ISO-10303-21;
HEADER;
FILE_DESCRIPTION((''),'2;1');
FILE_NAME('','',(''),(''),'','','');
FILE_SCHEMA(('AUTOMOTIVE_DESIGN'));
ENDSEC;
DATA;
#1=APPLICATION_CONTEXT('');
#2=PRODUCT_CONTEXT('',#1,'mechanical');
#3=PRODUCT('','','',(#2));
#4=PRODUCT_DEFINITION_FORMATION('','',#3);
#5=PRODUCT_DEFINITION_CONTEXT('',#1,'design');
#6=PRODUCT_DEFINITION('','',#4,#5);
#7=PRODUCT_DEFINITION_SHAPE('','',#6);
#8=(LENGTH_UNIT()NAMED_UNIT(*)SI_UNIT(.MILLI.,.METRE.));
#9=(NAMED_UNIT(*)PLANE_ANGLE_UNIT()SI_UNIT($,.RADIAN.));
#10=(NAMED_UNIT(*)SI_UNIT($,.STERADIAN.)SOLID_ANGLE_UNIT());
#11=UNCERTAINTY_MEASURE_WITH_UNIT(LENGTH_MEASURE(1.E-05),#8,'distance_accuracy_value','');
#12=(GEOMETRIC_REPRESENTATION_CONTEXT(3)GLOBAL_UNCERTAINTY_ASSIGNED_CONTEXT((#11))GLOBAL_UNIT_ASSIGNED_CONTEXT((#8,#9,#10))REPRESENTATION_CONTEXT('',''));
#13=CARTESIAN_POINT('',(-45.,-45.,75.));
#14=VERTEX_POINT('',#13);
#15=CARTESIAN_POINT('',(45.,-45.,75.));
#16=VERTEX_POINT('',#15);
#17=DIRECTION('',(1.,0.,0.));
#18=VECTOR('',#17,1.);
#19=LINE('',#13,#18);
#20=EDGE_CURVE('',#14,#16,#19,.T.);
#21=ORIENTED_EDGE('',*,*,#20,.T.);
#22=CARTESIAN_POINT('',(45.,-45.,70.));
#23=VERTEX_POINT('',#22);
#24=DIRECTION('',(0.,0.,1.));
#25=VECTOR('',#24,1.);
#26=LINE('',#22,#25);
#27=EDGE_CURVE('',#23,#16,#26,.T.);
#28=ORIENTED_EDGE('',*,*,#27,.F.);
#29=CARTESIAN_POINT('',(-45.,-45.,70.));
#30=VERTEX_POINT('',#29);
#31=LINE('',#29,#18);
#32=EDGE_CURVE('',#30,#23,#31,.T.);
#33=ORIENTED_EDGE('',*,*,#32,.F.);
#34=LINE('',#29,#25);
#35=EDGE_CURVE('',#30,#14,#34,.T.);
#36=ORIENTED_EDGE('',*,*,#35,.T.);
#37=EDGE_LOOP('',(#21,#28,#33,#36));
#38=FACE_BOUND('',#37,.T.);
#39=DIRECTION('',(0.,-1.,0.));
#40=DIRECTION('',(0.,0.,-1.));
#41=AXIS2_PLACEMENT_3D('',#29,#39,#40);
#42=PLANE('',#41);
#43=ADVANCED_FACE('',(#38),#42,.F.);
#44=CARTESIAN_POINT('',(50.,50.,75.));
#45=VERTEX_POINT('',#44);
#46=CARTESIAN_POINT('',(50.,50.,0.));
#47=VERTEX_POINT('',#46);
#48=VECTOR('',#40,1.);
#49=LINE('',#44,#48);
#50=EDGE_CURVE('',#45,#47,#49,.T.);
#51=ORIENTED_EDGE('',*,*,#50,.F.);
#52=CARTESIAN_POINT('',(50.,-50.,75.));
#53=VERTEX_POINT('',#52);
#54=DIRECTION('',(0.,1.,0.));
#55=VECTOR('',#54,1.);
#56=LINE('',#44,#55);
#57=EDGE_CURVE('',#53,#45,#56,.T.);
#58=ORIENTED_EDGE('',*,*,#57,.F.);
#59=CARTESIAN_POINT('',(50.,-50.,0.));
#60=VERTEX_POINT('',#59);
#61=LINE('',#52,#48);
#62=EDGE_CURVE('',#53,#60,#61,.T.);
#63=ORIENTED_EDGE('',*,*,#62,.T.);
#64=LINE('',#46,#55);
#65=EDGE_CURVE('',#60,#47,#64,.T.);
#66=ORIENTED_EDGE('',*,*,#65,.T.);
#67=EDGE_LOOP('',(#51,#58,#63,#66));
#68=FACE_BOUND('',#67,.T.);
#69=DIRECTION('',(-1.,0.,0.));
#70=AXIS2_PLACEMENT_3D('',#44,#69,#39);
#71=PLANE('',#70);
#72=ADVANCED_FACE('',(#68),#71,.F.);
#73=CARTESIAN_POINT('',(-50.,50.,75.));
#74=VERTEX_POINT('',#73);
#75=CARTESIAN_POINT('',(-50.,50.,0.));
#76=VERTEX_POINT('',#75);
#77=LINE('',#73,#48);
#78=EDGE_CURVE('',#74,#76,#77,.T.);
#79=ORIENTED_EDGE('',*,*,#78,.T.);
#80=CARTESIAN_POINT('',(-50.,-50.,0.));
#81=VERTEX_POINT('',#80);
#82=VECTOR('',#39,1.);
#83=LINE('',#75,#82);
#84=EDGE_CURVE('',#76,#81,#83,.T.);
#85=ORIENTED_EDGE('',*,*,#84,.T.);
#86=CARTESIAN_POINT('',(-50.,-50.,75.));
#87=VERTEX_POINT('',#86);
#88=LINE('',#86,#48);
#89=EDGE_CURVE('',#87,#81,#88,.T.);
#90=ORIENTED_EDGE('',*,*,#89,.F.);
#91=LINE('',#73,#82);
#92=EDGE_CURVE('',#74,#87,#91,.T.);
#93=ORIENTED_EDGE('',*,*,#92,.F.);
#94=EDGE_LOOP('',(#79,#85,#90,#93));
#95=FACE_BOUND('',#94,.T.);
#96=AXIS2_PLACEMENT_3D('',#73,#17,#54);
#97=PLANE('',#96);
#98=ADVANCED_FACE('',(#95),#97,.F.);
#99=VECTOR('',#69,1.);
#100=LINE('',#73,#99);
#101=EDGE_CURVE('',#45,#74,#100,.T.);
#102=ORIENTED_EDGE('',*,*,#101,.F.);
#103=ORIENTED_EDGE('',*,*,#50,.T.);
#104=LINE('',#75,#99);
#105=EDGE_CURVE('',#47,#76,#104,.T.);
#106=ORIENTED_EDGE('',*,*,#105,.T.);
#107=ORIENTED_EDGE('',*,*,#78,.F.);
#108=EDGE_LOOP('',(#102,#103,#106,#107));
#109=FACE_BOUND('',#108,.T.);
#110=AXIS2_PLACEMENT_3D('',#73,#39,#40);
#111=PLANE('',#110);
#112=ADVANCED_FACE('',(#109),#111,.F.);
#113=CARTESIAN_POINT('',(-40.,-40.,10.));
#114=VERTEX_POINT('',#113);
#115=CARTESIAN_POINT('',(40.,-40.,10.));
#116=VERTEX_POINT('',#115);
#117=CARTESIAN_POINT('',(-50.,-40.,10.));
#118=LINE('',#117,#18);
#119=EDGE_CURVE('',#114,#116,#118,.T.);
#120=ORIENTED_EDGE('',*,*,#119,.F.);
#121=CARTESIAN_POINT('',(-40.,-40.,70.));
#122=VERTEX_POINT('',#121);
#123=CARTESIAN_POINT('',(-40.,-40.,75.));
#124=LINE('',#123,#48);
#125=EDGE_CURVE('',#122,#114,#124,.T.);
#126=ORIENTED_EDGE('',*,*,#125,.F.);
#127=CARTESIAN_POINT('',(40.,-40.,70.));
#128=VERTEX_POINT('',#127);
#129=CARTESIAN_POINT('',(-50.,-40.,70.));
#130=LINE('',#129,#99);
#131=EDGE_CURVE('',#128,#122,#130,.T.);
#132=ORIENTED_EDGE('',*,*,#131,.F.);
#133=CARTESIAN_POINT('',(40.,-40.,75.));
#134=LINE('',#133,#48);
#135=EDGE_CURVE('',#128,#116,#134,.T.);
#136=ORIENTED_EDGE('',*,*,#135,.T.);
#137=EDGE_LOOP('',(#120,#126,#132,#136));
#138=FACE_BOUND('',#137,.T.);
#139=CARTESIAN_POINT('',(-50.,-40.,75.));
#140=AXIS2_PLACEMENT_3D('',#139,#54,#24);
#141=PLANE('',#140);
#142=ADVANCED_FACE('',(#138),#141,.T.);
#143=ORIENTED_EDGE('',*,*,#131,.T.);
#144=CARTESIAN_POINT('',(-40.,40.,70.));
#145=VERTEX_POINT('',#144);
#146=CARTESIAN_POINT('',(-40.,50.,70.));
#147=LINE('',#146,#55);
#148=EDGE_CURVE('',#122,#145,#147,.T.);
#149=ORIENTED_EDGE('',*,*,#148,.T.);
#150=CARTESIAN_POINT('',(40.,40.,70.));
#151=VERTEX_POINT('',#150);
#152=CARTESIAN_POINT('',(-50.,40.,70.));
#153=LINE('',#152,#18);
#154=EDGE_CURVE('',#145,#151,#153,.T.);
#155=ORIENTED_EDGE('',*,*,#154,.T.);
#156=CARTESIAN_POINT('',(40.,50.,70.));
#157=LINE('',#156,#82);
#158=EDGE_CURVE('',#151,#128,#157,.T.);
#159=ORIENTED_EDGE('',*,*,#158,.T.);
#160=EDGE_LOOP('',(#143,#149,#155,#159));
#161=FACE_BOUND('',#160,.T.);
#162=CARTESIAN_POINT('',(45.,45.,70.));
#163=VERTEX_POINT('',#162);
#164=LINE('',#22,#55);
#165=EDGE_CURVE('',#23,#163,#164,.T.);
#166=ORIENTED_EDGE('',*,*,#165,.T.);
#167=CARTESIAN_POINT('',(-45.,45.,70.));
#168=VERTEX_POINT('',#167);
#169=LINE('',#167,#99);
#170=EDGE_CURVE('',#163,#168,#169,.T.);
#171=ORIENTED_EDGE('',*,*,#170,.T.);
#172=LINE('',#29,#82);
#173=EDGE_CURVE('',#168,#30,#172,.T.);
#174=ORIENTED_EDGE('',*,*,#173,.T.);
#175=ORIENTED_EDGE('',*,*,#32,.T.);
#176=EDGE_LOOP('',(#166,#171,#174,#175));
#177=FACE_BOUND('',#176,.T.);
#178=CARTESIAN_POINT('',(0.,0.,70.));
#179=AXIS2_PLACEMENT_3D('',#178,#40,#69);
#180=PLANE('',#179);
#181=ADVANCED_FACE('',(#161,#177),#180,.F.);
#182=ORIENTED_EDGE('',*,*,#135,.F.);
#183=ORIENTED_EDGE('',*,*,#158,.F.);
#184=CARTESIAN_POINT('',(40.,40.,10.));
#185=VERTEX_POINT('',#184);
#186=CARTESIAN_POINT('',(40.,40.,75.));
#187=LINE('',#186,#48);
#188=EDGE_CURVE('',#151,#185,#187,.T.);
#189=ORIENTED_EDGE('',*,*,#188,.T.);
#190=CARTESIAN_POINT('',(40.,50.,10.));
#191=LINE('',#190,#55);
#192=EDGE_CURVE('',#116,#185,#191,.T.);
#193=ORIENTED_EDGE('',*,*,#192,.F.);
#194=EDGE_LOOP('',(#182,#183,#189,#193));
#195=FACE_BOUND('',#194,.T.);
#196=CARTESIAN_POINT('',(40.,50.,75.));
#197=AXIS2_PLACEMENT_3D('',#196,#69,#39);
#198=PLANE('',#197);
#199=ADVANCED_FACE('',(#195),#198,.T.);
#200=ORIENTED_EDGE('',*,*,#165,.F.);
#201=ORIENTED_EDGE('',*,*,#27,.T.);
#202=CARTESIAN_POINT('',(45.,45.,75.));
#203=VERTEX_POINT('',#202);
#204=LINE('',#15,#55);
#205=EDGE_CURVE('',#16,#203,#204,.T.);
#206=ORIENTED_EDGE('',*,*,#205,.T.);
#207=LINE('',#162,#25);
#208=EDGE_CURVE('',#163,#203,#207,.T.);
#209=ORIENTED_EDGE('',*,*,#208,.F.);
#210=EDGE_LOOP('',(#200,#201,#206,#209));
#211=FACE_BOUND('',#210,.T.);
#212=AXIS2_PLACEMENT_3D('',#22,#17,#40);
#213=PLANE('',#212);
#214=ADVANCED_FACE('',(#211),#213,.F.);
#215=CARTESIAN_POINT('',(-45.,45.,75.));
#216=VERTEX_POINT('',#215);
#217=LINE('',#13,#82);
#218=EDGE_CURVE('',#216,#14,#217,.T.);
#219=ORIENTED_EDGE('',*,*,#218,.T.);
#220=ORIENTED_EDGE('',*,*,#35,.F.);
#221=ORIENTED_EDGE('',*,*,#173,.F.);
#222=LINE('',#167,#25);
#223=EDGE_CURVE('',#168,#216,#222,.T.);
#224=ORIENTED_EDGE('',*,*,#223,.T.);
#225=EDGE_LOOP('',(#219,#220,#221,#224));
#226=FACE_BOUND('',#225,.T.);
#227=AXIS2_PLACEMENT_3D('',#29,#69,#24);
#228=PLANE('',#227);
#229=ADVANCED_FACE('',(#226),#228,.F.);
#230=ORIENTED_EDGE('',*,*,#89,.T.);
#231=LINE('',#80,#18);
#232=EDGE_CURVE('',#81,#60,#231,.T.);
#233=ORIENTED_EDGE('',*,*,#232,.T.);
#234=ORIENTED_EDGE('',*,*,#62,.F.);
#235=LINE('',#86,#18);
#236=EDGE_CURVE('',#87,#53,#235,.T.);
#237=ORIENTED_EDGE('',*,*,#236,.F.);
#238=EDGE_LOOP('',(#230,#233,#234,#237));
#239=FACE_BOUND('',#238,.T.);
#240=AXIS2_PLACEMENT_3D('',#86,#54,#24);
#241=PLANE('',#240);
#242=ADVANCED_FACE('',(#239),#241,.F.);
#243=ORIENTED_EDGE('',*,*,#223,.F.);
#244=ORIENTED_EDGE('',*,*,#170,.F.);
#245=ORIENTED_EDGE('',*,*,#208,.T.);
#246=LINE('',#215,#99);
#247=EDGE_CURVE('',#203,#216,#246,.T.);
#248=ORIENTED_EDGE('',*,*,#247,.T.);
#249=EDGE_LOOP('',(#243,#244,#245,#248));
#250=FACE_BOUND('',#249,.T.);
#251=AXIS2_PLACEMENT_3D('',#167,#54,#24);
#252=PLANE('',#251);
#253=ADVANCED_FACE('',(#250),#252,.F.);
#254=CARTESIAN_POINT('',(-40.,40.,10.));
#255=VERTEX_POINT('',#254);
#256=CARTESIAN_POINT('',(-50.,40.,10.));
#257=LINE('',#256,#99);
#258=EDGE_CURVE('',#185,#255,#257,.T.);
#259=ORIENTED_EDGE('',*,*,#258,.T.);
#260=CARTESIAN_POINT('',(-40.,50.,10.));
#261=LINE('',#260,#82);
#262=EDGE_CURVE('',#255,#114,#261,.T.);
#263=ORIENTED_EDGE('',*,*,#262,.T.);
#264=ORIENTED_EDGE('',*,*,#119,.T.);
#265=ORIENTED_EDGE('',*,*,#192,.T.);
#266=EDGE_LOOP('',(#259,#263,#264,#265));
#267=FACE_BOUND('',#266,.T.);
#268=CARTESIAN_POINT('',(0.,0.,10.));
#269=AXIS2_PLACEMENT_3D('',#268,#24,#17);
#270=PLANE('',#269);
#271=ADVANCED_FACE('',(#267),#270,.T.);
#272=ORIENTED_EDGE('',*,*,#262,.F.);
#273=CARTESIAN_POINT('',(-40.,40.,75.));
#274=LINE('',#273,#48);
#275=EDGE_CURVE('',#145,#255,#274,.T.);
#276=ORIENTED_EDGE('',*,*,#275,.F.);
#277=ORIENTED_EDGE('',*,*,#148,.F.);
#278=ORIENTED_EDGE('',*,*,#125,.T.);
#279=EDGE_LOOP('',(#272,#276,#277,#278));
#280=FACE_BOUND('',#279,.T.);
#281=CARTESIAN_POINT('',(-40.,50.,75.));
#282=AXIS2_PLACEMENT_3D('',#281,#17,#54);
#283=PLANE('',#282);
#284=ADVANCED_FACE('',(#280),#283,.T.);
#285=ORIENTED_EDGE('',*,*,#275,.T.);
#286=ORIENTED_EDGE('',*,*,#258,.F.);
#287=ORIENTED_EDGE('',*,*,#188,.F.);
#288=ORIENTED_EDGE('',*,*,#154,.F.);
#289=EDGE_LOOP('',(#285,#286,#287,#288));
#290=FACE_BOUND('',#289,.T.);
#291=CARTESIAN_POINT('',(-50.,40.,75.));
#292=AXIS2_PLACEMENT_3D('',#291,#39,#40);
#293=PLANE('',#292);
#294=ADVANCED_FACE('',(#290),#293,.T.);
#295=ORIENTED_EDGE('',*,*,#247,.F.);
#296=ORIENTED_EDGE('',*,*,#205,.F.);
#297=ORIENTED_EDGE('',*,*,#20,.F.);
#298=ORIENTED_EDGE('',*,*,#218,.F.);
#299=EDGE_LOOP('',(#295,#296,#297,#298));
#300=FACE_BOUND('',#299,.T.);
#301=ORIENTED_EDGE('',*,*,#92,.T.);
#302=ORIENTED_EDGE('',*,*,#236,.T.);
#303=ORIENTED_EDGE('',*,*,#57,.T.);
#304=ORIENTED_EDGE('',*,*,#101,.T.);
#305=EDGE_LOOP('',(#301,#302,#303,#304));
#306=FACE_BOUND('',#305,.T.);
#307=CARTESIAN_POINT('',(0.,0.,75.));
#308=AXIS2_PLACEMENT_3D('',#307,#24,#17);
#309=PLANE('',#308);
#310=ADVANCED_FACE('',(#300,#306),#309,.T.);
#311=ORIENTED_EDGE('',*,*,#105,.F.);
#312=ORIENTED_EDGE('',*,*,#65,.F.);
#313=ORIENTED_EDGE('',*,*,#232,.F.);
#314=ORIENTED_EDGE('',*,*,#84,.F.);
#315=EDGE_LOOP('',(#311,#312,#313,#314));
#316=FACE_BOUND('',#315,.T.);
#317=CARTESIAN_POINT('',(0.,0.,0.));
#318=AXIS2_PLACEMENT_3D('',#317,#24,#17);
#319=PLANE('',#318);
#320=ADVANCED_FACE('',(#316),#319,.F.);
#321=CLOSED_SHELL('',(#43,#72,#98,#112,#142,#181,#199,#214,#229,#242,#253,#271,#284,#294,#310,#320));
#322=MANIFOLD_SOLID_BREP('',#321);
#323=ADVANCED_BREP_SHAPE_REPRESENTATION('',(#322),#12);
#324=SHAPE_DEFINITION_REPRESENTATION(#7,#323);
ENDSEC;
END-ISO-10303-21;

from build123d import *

# Parameters (mm, degrees)
SKETCH2_W           = 100
SKETCH2_H           = 100
BOSS_EXTRUDE1_DEPTH = 75
SHELL1_T            = -10
SKETCH3_W           = 90
SKETCH3_H           = 90
CUT_EXTRUDE1_DEPTH  = 5


with BuildPart() as part:
    # Sketch2 → Boss-Extrude1 (new body)
    with BuildSketch(Plane.XY):
        Rectangle(SKETCH2_W, SKETCH2_H)
    extrude(amount=BOSS_EXTRUDE1_DEPTH)

    # Shell1
    shell1_openings = [part.faces().sort_by_distance(p)[0] for p in [
        (0, 0, 75),
    ]]
    offset(amount=SHELL1_T, openings=shell1_openings, kind=Kind.INTERSECTION)

    # Sketch3 → Cut-Extrude1 (cut)
    with BuildSketch(Plane.XY.offset(75)):
        Rectangle(SKETCH3_W, SKETCH3_H)
    extrude(amount=-CUT_EXTRUDE1_DEPTH, mode=Mode.SUBTRACT)


solid = part.part
